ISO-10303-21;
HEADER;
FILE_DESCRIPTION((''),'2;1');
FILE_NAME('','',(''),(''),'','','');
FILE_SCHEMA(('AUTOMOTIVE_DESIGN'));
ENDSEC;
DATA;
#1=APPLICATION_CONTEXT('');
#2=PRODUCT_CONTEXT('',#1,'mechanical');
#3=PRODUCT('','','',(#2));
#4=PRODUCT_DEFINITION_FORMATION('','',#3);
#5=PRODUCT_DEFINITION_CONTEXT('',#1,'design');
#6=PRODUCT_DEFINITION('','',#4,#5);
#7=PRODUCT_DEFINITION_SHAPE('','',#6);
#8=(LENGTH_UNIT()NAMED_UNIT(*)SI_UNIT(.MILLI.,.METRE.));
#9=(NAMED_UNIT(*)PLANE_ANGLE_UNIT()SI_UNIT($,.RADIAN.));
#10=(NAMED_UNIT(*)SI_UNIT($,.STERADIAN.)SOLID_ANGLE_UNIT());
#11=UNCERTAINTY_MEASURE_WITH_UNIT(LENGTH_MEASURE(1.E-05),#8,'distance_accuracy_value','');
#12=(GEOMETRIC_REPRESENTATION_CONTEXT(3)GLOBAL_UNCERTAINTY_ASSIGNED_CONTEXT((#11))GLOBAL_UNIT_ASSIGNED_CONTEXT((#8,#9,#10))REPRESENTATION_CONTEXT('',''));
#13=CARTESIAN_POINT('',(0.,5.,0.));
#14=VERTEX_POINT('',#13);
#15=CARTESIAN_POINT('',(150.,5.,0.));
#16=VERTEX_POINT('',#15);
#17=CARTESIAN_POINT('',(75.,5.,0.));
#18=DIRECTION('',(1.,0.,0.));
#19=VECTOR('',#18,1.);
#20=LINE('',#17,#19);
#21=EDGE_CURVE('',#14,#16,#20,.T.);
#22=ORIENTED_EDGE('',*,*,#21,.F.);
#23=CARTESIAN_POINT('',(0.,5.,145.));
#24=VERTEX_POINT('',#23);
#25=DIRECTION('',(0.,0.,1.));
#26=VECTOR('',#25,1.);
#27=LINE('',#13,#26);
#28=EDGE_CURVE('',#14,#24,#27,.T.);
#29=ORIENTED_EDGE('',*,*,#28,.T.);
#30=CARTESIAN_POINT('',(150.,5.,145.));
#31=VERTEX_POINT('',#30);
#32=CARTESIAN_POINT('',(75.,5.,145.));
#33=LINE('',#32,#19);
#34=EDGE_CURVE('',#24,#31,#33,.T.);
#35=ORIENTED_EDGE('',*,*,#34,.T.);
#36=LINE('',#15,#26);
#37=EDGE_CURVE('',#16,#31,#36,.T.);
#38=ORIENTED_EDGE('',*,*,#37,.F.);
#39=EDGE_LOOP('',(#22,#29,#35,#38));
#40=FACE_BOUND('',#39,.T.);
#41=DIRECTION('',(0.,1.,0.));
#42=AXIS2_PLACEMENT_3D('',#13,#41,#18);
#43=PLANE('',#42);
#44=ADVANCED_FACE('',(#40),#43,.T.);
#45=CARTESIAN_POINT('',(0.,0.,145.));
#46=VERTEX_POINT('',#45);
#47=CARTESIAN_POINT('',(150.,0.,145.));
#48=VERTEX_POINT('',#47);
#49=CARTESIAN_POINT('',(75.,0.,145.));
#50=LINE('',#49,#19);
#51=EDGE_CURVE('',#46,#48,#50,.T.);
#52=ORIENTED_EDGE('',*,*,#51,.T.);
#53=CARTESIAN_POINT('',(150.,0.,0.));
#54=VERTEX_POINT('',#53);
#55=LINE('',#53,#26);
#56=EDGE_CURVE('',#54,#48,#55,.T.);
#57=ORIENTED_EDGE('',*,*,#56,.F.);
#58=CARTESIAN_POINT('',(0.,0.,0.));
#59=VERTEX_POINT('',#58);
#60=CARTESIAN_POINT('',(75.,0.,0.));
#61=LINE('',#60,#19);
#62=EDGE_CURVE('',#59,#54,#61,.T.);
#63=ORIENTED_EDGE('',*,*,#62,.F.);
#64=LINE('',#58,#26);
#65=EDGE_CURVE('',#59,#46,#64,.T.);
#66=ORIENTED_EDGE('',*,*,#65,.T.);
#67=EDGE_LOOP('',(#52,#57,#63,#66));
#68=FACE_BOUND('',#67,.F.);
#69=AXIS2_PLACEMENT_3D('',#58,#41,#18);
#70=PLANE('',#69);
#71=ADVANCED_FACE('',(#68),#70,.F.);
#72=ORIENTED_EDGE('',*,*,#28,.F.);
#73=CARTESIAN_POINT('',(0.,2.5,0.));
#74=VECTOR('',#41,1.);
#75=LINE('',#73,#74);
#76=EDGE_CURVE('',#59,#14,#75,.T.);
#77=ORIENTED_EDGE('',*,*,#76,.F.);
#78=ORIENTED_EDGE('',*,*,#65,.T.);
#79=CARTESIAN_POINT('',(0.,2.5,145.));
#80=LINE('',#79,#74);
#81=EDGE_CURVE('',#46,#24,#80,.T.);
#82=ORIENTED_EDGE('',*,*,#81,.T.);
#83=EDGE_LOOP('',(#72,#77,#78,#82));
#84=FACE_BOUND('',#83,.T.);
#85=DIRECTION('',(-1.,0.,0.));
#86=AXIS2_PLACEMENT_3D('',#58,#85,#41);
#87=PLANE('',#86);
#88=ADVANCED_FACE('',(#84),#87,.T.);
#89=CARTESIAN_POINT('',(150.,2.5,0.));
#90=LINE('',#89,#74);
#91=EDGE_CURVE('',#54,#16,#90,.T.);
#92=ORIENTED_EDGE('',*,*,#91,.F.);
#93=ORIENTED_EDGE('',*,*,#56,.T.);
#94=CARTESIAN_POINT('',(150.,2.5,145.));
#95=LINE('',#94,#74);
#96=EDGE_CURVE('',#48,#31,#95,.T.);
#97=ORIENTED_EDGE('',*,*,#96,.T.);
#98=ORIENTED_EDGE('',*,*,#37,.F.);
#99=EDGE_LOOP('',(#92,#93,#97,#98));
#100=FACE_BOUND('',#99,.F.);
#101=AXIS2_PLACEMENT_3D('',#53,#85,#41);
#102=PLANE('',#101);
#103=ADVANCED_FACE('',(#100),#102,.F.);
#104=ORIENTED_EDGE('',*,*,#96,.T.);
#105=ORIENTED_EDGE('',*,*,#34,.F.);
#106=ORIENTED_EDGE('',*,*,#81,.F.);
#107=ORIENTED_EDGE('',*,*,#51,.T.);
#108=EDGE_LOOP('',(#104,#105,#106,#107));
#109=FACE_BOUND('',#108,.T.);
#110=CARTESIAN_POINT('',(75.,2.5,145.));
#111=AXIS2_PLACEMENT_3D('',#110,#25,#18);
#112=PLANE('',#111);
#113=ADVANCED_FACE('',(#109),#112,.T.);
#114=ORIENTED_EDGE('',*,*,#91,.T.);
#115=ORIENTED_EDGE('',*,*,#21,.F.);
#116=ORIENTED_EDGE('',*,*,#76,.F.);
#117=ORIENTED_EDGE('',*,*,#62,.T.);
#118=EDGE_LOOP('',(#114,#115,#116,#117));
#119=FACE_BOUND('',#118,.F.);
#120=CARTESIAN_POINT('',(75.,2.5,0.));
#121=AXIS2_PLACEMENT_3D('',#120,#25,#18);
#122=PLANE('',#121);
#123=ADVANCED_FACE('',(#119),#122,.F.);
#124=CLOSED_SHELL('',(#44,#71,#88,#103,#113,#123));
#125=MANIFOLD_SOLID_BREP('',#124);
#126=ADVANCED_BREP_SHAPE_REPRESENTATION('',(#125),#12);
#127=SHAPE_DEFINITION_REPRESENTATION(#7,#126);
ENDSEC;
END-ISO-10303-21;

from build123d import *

# Parameters (mm, degrees)
BOX_W     = 150
BOX_H     = 5
BOX_DEPTH = 145


with BuildPart() as part:
    # Box → Box (new body)
    with BuildSketch(Plane.XY):
        with Locations((75, 2.5)):
            Rectangle(BOX_W, BOX_H)
    extrude(amount=BOX_DEPTH)


solid = part.part
